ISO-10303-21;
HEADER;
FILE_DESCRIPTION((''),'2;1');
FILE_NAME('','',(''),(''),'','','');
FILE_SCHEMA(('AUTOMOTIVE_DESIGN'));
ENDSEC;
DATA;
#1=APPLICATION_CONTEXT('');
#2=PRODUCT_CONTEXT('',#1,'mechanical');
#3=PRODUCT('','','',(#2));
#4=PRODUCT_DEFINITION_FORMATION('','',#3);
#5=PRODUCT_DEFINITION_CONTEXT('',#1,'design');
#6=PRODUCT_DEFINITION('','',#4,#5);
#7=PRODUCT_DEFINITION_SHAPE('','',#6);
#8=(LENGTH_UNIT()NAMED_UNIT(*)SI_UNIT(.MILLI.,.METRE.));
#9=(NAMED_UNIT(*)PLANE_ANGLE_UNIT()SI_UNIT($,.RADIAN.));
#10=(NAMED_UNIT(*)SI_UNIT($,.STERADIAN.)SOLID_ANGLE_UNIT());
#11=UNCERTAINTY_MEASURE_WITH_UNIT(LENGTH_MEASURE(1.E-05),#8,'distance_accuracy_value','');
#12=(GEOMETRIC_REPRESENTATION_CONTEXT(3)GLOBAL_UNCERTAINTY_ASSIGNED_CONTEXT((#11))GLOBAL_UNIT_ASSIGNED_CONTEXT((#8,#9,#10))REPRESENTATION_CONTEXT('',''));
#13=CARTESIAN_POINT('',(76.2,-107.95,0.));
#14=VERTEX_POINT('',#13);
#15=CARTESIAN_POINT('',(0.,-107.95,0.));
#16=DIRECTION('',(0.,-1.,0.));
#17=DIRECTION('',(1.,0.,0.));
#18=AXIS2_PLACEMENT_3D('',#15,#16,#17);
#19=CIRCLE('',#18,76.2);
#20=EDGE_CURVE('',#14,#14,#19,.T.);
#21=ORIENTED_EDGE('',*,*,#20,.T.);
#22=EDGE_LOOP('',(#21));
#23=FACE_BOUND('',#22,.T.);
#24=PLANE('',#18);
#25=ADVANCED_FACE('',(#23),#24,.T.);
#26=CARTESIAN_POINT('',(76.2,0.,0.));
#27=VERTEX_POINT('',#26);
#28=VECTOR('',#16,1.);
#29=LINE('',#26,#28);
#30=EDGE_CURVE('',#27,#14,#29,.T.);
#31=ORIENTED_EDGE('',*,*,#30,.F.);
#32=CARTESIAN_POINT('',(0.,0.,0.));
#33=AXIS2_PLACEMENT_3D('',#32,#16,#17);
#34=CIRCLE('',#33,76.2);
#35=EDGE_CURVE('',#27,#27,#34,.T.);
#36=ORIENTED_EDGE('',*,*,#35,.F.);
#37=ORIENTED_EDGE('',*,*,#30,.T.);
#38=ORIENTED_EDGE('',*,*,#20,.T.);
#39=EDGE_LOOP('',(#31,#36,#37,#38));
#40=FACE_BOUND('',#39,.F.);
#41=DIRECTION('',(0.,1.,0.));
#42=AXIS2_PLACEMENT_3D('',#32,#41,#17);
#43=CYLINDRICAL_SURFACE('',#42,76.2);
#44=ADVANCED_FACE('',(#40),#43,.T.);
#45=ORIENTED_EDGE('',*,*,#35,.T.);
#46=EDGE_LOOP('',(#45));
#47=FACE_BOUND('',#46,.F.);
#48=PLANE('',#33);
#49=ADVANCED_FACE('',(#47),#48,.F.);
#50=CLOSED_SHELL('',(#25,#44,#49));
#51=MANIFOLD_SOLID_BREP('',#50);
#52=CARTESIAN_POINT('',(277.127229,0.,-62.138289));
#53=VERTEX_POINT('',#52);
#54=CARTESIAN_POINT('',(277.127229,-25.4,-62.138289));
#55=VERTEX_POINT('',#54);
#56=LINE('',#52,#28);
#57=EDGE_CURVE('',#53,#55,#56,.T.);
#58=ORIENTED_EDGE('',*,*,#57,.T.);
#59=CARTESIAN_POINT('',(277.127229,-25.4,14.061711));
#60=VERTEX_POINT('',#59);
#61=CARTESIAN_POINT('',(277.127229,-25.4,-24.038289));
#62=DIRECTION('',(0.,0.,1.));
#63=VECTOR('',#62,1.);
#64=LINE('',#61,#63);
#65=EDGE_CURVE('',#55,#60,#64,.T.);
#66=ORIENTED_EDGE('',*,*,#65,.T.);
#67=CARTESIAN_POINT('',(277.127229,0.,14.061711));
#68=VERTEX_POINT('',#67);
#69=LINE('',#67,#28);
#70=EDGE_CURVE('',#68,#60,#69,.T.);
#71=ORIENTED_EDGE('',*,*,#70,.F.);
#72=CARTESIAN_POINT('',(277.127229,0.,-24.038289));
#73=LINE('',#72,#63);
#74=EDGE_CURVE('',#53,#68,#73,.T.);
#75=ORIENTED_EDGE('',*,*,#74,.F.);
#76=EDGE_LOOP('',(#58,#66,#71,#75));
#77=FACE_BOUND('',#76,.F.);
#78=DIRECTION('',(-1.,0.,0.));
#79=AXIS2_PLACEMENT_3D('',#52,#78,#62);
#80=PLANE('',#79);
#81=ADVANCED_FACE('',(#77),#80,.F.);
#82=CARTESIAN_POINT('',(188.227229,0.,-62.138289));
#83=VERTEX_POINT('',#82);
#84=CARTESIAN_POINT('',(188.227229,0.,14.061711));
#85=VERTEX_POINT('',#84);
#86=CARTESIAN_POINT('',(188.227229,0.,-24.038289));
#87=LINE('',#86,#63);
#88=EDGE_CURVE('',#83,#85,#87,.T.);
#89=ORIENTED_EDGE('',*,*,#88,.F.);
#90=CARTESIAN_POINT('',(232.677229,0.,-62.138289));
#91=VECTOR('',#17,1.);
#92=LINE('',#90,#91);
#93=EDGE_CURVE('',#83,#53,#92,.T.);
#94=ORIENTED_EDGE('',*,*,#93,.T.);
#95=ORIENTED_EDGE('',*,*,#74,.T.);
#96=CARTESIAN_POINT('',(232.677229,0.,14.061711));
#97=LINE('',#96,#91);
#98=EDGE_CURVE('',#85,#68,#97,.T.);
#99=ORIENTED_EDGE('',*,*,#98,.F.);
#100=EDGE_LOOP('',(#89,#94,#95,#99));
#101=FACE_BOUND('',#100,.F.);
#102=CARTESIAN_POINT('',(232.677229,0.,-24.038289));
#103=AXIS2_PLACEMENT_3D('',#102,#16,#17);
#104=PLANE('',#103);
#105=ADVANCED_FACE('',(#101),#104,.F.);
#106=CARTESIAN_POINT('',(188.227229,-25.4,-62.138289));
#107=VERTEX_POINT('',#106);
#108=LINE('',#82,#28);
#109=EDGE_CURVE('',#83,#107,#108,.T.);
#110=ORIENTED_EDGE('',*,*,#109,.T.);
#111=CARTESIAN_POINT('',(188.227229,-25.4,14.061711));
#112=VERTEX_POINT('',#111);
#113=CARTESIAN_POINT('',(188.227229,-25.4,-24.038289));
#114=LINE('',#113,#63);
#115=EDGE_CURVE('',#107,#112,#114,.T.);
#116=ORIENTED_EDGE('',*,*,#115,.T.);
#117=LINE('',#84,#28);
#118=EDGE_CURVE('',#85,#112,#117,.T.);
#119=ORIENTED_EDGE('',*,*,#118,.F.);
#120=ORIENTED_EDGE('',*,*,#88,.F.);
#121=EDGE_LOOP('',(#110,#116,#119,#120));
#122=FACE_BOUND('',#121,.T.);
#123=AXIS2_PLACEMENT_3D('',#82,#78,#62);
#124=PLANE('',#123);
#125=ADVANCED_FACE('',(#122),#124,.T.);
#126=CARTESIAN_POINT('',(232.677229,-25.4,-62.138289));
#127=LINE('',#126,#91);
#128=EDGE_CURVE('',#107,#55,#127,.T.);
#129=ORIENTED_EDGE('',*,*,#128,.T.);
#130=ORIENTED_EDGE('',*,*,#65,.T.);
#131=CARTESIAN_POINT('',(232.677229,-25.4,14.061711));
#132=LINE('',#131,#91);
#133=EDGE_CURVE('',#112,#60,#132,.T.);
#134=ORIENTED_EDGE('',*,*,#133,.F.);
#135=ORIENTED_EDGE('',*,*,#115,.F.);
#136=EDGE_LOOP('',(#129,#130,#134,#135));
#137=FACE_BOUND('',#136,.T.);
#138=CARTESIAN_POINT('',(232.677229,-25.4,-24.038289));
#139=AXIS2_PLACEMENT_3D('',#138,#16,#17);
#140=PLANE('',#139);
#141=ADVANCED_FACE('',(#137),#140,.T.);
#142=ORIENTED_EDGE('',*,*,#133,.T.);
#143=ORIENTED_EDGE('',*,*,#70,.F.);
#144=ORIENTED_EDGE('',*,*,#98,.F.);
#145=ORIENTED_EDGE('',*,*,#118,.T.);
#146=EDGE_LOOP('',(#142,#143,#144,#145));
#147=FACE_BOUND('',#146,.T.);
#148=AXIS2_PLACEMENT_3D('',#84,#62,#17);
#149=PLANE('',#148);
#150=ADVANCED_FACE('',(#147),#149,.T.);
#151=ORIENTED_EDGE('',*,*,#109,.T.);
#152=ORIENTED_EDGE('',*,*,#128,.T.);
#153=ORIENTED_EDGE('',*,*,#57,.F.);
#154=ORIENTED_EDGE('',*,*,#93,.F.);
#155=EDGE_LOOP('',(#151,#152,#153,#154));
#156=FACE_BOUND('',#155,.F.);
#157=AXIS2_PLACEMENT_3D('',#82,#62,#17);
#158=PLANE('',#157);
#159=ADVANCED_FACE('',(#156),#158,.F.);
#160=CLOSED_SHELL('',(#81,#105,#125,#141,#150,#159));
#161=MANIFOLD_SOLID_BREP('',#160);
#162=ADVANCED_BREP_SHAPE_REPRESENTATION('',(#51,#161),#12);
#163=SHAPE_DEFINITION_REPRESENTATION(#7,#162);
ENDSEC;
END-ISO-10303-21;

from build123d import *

# Parameters (mm, degrees)
F0_R     = 76.2
F1_DEPTH = 107.95
F2_W     = 88.9
F2_H     = 76.2
F3_DEPTH = 25.4


with BuildPart() as f1:
    # F0 (on Front) → F1 (new body)
    with BuildSketch(Plane.XZ):
        Circle(F0_R)
    extrude(amount=F1_DEPTH)


with BuildPart() as f3:
    # F2 (on Front) → F3 (new body)
    with BuildSketch(Plane.XZ):
        with Locations((232.677229, -24.038289)):
            Rectangle(F2_W, F2_H)
    extrude(amount=F3_DEPTH)


solid = Compound([f1.part, f3.part])
